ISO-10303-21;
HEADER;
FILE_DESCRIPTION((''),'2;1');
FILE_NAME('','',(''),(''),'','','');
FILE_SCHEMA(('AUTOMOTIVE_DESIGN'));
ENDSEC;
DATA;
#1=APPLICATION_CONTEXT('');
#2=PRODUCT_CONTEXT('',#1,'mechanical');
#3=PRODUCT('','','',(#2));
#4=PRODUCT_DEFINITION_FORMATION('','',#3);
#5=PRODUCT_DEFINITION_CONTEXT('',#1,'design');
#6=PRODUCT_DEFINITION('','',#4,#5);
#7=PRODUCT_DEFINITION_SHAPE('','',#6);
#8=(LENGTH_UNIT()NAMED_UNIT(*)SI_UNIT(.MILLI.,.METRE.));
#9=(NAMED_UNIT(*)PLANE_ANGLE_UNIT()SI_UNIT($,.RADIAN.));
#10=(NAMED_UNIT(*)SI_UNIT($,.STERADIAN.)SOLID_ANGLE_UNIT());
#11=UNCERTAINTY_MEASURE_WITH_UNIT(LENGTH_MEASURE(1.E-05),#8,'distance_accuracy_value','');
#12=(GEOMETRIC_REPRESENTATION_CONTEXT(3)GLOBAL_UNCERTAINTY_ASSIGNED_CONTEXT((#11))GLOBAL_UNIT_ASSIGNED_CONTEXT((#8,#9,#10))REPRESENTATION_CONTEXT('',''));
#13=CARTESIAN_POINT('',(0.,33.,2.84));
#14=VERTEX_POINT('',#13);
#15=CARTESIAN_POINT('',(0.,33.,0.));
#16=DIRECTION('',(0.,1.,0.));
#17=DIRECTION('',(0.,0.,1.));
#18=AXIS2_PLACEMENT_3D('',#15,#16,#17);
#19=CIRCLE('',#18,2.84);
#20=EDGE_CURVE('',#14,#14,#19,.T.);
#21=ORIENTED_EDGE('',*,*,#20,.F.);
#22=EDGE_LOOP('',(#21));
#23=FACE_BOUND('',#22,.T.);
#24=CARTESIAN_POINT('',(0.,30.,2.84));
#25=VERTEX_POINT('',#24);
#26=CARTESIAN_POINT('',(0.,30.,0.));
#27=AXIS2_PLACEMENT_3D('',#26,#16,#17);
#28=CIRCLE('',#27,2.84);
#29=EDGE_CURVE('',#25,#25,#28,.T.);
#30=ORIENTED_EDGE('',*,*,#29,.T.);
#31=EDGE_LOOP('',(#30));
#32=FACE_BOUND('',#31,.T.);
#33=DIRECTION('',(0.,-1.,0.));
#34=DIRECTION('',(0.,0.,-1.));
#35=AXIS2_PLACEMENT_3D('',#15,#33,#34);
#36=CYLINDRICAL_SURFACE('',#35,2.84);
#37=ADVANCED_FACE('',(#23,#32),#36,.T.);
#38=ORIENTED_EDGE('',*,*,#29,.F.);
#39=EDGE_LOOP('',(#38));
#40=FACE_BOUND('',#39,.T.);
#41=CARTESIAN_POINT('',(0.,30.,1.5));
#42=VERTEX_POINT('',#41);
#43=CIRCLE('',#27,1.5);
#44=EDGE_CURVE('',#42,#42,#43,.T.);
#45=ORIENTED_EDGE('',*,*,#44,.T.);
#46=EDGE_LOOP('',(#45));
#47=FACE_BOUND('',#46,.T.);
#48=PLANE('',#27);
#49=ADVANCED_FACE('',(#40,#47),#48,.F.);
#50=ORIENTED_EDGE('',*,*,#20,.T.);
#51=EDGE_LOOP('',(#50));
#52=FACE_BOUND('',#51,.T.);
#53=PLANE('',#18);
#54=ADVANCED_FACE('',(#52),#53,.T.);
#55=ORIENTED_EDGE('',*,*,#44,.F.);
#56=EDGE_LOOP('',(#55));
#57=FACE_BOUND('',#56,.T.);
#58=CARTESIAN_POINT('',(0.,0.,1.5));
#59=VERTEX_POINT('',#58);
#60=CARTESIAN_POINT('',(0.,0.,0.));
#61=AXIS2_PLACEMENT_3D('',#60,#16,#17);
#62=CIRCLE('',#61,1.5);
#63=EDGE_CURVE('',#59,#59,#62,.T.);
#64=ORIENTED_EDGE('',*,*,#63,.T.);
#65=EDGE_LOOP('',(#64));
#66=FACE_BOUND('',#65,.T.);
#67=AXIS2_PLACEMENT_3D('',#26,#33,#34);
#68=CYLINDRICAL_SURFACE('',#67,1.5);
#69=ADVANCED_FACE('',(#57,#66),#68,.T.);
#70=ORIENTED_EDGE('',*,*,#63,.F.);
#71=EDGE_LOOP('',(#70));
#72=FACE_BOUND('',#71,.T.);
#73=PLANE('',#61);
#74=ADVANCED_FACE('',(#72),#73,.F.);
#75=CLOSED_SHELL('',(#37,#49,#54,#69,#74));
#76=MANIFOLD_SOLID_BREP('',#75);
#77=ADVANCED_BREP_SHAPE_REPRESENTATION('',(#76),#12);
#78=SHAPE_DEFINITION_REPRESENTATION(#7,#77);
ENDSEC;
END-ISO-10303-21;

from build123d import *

# Parameters (mm, degrees)
CROQUIS1_R              = 1.5
SALIENTE_EXTRUIR1_DEPTH = 30
CROQUIS2_R              = 2.84
SALIENTE_EXTRUIR2_DEPTH = 3


with BuildPart() as part:
    # Croquis1 → Saliente-Extruir1 (new body)
    with BuildSketch(Plane(origin=(0, 0, 0), x_dir=(1, 0, 0), z_dir=(0, 1, 0))):
        Circle(CROQUIS1_R)
    extrude(amount=SALIENTE_EXTRUIR1_DEPTH)

    # Croquis2 → Saliente-Extruir2 (add)
    with BuildSketch(Plane(origin=(0, 30, 0), x_dir=(1, 0, 0), z_dir=(0, 1, 0))):
        Circle(CROQUIS2_R)
    extrude(amount=SALIENTE_EXTRUIR2_DEPTH)


solid = part.part
